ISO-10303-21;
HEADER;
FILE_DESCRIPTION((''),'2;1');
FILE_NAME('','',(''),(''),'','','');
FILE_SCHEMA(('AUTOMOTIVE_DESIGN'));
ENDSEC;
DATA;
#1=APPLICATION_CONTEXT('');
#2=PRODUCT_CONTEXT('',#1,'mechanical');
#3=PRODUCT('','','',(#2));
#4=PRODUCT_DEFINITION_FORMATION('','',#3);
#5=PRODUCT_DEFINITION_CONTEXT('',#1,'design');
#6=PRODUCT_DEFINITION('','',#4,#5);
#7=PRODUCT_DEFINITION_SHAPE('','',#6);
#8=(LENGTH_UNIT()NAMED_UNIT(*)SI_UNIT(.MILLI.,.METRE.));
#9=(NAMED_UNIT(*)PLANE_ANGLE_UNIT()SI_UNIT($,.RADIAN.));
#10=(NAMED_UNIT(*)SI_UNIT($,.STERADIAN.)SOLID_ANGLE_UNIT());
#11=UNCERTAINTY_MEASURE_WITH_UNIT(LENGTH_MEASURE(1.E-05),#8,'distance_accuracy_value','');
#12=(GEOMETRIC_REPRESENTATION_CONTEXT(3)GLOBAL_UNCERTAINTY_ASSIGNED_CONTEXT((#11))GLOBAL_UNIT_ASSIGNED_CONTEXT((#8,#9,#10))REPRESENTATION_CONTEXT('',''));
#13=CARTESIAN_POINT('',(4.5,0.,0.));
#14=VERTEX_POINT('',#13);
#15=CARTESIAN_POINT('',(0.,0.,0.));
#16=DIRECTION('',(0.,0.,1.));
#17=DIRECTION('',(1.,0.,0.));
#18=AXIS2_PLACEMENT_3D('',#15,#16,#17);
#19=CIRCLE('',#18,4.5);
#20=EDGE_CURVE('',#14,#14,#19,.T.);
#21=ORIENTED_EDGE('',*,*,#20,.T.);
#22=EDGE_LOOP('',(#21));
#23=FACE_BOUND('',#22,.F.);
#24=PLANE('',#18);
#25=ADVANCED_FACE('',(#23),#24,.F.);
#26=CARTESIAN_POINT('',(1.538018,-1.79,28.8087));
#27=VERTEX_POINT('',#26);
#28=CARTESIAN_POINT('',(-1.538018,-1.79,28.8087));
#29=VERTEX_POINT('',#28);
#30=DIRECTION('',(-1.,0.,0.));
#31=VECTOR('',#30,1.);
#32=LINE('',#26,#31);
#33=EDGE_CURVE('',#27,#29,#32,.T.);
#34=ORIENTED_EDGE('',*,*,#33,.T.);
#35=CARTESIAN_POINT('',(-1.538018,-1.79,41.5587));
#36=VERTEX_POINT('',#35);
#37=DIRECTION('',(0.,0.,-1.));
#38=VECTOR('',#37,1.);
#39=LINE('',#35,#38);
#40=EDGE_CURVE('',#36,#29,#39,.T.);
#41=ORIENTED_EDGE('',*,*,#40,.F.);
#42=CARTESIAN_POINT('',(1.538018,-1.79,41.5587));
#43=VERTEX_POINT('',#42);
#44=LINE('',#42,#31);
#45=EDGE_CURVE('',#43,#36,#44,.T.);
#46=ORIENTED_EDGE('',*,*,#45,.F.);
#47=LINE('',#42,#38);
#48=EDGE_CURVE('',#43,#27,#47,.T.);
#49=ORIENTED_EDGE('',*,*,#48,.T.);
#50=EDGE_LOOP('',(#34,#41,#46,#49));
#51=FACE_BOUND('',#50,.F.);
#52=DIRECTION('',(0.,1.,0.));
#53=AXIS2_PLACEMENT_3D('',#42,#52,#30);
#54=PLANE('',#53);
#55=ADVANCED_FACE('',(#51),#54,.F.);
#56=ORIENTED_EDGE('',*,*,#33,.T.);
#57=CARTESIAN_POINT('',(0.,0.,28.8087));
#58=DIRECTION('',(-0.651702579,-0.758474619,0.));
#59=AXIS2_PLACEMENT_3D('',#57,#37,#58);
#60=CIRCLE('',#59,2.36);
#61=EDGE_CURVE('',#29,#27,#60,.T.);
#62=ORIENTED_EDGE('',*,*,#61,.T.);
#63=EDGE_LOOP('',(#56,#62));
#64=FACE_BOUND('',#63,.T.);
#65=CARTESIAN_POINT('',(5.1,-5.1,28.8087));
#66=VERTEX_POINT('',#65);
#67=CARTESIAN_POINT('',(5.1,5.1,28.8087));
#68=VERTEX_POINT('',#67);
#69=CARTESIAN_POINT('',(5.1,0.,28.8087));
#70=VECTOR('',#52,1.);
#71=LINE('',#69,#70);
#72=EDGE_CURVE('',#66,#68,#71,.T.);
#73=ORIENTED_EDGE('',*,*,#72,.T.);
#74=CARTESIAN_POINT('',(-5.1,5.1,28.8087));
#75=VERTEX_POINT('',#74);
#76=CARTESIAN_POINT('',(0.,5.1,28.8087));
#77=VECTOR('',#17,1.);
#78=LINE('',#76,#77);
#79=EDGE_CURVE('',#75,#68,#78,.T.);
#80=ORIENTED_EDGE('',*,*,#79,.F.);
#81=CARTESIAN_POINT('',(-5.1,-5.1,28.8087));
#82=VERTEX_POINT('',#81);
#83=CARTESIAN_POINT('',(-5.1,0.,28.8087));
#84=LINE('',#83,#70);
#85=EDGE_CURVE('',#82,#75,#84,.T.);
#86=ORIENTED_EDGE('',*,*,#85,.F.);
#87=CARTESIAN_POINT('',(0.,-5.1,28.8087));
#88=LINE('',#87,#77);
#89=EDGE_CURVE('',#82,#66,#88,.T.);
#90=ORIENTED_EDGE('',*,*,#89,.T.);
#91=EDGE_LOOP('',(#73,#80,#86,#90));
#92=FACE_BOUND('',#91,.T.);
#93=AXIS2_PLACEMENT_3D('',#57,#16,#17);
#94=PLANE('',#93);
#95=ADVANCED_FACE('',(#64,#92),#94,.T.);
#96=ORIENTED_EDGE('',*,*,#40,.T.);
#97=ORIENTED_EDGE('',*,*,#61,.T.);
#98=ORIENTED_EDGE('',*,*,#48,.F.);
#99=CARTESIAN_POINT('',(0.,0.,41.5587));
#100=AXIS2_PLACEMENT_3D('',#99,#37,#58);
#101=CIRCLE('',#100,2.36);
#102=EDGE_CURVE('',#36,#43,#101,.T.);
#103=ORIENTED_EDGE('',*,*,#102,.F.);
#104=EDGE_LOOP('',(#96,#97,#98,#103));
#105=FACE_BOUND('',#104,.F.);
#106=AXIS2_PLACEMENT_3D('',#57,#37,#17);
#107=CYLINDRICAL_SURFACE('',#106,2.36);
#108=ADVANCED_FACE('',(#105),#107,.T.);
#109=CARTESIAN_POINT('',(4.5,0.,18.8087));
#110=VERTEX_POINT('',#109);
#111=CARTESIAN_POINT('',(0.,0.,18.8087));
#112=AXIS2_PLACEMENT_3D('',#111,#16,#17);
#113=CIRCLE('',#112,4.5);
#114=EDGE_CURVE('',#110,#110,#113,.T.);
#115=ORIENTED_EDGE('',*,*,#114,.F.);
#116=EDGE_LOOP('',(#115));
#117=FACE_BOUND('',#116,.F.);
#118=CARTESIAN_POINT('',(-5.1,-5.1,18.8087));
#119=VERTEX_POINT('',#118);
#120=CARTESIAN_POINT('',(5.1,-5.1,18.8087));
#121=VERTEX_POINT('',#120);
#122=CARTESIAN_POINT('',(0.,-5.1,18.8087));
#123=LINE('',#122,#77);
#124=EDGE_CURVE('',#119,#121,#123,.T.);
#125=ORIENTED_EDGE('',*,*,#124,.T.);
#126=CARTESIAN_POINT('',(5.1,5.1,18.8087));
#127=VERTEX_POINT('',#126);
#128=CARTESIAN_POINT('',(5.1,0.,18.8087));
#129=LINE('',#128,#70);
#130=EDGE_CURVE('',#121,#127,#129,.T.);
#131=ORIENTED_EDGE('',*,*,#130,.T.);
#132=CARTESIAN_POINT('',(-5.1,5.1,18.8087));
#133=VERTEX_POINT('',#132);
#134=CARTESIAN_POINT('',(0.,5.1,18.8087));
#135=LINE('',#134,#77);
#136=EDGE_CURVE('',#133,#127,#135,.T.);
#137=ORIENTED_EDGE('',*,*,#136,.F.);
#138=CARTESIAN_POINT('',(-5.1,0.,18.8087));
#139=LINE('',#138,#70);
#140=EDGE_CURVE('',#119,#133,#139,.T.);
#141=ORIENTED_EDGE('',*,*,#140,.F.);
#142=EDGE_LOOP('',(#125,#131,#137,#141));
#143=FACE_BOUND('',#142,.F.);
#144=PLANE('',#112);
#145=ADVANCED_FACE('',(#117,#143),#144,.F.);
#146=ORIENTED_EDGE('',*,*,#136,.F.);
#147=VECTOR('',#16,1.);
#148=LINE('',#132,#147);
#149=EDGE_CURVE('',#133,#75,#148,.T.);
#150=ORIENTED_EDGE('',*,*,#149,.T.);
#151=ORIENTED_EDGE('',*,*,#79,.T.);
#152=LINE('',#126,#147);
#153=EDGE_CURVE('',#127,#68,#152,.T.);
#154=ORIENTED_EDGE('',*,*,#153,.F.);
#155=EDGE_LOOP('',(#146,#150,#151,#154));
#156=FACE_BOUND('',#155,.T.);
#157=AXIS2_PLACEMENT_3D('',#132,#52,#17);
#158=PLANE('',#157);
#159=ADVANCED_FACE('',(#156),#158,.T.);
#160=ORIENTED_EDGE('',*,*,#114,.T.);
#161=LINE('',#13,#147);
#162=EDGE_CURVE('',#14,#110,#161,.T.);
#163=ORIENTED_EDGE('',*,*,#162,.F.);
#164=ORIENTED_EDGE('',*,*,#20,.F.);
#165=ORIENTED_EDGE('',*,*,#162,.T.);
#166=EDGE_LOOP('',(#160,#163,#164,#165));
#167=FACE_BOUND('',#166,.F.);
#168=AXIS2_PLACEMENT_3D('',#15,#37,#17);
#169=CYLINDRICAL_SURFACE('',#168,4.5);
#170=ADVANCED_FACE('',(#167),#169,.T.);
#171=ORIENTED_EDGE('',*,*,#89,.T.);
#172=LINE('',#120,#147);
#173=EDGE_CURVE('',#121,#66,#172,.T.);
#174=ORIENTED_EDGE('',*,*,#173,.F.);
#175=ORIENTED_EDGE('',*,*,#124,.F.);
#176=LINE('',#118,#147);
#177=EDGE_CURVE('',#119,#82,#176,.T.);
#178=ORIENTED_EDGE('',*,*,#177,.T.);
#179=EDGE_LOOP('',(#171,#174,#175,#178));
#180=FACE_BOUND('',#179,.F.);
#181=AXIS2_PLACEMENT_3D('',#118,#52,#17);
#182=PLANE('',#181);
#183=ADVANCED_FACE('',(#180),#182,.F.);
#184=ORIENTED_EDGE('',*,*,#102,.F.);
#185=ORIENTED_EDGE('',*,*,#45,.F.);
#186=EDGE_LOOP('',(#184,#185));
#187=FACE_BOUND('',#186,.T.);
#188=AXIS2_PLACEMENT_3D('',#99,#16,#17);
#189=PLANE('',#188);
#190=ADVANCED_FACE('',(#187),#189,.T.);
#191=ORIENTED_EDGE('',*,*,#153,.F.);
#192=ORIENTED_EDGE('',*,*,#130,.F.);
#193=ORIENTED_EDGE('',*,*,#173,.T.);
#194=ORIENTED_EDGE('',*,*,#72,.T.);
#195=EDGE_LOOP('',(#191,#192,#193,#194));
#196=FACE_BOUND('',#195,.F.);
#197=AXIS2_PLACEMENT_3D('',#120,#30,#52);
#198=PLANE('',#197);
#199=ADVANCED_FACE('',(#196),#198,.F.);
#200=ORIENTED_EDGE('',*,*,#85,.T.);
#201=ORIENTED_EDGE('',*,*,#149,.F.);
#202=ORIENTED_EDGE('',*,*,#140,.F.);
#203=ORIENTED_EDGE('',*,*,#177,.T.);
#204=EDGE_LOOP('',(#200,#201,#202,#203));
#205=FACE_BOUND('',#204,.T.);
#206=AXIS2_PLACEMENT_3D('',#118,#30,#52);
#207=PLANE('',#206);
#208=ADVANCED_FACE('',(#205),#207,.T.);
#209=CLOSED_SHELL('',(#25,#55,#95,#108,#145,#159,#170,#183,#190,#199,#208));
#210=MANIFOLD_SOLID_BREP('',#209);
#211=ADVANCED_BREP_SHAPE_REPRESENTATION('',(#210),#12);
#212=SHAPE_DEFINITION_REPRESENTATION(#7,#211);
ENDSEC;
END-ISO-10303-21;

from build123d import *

# Parameters (mm, degrees)
F0_R     = 4.5
F1_DEPTH = 18.8087
F2_W     = 10.2
F2_H     = 10.2
F3_DEPTH = 10
F4_R     = 2.36
F5_DEPTH = 12.75
F7_DEPTH = 12.75


with BuildPart() as f1:
    # F0 (on Top) → F1 (new body)
    with BuildSketch(Plane.XY):
        Circle(F0_R)
    extrude(amount=F1_DEPTH)

    # F2 (on face) → F3 (join)
    with BuildSketch(Plane.XY.offset(18.8087)):
        Rectangle(F2_W, F2_H)
    extrude(amount=F3_DEPTH)

    # F4 (on face) → F5 (join)
    with BuildSketch(Plane.XY.offset(28.8087)):
        Circle(F4_R)
    extrude(amount=F5_DEPTH)

    # F6 (on face) → F7 (cut)
    with BuildSketch(Plane.XY.offset(41.5587)):
        with BuildLine():
            ThreePointArc((-1.538018, -1.79), (-0.820122, -2.212917), (0, -2.36))
            Line((0, -2.36), (0, -1.79))
            Line((0, -1.79), (-1.538018, -1.79))
        make_face()
        with BuildLine():
            Line((0, -1.79), (0, -2.36))
            ThreePointArc((0, -2.36), (0.820122, -2.212917), (1.538018, -1.79))
            Line((1.538018, -1.79), (0, -1.79))
        make_face()
    extrude(amount=-F7_DEPTH, mode=Mode.SUBTRACT)


solid = f1.part
